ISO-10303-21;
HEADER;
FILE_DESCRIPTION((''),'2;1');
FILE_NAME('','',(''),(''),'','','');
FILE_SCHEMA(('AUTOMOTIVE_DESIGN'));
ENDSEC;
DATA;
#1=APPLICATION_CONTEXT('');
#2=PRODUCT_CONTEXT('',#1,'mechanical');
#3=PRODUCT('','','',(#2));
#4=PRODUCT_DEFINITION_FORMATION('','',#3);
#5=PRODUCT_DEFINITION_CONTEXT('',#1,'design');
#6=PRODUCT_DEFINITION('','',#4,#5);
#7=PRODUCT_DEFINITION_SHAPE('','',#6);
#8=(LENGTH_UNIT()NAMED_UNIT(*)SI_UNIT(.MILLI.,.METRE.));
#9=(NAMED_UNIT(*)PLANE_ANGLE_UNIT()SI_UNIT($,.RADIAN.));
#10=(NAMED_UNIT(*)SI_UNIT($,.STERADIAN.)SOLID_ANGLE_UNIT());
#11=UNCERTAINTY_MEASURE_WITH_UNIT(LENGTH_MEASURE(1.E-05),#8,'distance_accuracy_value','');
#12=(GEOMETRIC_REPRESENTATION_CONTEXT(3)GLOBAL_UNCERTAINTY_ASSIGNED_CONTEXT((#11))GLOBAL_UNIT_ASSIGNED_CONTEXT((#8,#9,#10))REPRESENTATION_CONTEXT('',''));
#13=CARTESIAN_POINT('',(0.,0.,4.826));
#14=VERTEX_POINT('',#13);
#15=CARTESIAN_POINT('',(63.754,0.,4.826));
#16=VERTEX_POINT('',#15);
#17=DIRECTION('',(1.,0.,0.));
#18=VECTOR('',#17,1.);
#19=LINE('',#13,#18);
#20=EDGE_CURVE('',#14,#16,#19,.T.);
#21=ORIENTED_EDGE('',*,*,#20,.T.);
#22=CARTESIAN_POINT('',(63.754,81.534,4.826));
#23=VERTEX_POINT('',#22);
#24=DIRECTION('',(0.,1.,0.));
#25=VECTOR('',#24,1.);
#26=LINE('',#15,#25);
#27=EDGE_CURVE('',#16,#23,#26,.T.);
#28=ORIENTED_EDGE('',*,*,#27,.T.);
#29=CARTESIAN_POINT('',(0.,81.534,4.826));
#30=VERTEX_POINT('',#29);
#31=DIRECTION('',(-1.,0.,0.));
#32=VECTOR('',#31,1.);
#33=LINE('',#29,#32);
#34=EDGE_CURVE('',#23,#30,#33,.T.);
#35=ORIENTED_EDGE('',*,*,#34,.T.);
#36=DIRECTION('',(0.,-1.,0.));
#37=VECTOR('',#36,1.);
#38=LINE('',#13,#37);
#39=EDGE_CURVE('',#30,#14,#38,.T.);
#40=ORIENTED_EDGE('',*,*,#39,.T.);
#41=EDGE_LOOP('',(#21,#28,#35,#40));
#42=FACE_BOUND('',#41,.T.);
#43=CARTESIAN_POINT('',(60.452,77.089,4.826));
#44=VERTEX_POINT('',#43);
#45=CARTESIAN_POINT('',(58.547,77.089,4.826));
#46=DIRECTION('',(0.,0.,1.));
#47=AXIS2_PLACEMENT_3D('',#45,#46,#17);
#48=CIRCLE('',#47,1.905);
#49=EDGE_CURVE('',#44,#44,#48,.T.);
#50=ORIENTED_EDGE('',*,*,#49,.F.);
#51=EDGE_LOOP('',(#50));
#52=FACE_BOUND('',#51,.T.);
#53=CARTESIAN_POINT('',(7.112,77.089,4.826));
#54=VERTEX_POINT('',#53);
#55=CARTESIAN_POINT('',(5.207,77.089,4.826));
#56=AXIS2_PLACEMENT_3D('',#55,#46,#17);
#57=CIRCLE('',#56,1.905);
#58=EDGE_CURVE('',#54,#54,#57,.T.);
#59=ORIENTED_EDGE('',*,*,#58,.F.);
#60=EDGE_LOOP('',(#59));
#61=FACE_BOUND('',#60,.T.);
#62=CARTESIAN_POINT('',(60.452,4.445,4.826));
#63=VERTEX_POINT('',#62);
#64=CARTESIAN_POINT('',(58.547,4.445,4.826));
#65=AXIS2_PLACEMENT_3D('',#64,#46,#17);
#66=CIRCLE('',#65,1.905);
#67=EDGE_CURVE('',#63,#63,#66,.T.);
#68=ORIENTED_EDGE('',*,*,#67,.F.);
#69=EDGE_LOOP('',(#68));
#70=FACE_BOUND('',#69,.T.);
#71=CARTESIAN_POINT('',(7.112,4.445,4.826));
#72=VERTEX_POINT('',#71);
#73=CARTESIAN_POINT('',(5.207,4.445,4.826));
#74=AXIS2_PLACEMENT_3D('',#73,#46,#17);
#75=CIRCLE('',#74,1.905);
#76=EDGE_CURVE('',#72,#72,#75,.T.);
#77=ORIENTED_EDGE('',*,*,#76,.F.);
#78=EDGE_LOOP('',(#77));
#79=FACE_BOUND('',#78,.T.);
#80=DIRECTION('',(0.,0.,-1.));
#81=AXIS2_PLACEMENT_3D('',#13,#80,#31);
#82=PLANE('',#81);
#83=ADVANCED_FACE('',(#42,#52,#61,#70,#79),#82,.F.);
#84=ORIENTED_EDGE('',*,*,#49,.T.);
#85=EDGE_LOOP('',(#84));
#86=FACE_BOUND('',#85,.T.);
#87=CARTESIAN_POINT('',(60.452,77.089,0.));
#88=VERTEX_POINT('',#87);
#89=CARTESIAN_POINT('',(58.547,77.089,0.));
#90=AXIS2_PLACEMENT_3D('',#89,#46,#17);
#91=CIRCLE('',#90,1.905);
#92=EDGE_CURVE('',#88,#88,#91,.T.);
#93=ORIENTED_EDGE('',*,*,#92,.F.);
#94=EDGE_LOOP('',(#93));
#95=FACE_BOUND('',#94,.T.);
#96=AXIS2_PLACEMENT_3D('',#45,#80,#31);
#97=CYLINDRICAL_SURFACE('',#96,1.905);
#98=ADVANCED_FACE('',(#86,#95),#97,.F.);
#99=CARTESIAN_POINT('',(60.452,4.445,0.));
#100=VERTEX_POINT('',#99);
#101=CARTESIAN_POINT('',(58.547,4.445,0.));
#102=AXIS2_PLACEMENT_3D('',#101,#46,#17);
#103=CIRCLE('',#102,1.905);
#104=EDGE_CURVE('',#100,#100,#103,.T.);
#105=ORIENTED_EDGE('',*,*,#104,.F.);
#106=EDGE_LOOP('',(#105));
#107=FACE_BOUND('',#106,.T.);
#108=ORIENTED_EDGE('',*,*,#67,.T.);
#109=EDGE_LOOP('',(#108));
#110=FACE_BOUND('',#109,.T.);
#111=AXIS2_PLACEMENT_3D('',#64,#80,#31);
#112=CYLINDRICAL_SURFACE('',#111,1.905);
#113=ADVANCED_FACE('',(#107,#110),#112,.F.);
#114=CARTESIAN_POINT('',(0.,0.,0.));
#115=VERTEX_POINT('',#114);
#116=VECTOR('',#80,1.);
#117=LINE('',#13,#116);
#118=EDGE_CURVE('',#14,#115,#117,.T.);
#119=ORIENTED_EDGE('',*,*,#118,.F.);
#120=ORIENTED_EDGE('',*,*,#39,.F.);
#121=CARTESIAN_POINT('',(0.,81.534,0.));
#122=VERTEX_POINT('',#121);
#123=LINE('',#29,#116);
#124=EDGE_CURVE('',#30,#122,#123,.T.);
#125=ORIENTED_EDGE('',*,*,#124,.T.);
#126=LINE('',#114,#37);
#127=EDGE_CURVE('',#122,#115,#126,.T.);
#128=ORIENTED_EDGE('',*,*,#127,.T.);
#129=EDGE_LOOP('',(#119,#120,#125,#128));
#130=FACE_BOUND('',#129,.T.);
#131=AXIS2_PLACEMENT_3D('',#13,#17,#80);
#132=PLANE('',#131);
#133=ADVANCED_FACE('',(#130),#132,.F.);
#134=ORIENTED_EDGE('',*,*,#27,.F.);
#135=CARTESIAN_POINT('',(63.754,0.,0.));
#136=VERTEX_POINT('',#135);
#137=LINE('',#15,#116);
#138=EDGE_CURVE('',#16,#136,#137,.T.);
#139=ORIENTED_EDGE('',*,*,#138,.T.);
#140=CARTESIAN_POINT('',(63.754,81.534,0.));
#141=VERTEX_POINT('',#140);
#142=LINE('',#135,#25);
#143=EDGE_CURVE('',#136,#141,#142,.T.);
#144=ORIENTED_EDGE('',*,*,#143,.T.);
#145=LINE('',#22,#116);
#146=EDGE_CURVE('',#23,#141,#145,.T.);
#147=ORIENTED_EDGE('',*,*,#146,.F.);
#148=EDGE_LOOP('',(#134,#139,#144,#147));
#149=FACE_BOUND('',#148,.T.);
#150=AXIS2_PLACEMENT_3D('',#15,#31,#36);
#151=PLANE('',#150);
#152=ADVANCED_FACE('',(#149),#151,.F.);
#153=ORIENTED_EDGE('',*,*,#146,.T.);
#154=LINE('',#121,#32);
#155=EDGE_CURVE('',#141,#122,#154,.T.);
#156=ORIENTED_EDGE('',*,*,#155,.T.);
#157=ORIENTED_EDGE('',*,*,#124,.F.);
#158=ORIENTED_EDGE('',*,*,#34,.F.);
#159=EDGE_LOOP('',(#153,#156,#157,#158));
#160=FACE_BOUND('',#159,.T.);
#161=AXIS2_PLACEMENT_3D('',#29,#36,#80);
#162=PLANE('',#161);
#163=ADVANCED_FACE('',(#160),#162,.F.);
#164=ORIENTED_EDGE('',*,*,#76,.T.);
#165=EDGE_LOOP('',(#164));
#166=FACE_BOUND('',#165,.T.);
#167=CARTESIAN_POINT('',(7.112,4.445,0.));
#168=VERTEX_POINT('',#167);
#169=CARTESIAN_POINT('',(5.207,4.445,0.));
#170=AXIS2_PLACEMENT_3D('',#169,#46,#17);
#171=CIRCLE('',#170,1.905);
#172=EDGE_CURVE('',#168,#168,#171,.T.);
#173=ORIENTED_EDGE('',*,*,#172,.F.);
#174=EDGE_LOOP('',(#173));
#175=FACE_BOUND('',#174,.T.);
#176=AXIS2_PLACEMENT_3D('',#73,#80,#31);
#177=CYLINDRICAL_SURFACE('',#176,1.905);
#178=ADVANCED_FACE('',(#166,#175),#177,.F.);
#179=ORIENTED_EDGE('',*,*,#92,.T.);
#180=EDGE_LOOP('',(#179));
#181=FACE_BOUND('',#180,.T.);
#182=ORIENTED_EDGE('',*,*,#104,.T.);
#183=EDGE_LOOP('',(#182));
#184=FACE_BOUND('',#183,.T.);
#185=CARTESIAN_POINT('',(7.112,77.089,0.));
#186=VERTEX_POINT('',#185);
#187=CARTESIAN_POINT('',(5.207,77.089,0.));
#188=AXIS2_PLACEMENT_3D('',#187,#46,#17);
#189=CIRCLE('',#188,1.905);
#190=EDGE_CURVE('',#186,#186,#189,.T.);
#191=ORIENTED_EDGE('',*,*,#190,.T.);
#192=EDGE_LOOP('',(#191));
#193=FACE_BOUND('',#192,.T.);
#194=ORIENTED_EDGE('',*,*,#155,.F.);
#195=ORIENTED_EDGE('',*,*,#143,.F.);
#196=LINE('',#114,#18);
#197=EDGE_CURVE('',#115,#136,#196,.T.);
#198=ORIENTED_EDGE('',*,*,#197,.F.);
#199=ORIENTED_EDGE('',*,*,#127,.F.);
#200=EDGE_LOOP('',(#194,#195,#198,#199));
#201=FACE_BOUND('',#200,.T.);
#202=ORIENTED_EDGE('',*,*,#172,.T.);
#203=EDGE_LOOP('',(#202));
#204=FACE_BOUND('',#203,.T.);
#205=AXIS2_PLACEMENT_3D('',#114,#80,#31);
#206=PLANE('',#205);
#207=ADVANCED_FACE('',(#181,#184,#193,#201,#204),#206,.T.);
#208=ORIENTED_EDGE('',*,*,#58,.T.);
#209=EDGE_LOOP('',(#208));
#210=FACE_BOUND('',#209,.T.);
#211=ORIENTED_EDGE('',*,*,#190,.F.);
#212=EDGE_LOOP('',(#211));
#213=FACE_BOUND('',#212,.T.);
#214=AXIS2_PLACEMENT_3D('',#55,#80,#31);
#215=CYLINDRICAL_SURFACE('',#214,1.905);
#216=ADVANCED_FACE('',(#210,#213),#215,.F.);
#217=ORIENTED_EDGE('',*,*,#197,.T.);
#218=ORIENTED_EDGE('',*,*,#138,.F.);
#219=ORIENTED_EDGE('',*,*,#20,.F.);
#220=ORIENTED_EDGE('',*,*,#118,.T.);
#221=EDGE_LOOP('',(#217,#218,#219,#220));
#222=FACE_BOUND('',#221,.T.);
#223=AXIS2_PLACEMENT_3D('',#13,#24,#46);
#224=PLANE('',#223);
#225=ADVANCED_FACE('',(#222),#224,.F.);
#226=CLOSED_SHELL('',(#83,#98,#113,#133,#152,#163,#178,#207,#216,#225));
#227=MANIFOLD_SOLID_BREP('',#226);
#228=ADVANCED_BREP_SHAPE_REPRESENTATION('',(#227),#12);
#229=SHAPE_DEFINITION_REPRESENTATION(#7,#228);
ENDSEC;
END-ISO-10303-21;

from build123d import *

# Parameters (mm, degrees)
SKETCH1_W           = 63.754
SKETCH1_H           = 81.534
SKETCH1_R           = 1.905
BOSS_EXTRUDE1_DEPTH = 4.826


with BuildPart() as part:
    # Sketch1 → Boss-Extrude1 (new body)
    with BuildSketch(Plane.XY):
        with Locations((31.877, 40.767)):
            Rectangle(SKETCH1_W, SKETCH1_H)
        with Locations((5.207, 77.089)):
            Circle(SKETCH1_R, mode=Mode.SUBTRACT)
        with Locations((58.547, 77.089)):
            Circle(SKETCH1_R, mode=Mode.SUBTRACT)
        with Locations((5.207, 4.445)):
            Circle(SKETCH1_R, mode=Mode.SUBTRACT)
        with Locations((58.547, 4.445)):
            Circle(SKETCH1_R, mode=Mode.SUBTRACT)
    extrude(amount=BOSS_EXTRUDE1_DEPTH)


solid = part.part
